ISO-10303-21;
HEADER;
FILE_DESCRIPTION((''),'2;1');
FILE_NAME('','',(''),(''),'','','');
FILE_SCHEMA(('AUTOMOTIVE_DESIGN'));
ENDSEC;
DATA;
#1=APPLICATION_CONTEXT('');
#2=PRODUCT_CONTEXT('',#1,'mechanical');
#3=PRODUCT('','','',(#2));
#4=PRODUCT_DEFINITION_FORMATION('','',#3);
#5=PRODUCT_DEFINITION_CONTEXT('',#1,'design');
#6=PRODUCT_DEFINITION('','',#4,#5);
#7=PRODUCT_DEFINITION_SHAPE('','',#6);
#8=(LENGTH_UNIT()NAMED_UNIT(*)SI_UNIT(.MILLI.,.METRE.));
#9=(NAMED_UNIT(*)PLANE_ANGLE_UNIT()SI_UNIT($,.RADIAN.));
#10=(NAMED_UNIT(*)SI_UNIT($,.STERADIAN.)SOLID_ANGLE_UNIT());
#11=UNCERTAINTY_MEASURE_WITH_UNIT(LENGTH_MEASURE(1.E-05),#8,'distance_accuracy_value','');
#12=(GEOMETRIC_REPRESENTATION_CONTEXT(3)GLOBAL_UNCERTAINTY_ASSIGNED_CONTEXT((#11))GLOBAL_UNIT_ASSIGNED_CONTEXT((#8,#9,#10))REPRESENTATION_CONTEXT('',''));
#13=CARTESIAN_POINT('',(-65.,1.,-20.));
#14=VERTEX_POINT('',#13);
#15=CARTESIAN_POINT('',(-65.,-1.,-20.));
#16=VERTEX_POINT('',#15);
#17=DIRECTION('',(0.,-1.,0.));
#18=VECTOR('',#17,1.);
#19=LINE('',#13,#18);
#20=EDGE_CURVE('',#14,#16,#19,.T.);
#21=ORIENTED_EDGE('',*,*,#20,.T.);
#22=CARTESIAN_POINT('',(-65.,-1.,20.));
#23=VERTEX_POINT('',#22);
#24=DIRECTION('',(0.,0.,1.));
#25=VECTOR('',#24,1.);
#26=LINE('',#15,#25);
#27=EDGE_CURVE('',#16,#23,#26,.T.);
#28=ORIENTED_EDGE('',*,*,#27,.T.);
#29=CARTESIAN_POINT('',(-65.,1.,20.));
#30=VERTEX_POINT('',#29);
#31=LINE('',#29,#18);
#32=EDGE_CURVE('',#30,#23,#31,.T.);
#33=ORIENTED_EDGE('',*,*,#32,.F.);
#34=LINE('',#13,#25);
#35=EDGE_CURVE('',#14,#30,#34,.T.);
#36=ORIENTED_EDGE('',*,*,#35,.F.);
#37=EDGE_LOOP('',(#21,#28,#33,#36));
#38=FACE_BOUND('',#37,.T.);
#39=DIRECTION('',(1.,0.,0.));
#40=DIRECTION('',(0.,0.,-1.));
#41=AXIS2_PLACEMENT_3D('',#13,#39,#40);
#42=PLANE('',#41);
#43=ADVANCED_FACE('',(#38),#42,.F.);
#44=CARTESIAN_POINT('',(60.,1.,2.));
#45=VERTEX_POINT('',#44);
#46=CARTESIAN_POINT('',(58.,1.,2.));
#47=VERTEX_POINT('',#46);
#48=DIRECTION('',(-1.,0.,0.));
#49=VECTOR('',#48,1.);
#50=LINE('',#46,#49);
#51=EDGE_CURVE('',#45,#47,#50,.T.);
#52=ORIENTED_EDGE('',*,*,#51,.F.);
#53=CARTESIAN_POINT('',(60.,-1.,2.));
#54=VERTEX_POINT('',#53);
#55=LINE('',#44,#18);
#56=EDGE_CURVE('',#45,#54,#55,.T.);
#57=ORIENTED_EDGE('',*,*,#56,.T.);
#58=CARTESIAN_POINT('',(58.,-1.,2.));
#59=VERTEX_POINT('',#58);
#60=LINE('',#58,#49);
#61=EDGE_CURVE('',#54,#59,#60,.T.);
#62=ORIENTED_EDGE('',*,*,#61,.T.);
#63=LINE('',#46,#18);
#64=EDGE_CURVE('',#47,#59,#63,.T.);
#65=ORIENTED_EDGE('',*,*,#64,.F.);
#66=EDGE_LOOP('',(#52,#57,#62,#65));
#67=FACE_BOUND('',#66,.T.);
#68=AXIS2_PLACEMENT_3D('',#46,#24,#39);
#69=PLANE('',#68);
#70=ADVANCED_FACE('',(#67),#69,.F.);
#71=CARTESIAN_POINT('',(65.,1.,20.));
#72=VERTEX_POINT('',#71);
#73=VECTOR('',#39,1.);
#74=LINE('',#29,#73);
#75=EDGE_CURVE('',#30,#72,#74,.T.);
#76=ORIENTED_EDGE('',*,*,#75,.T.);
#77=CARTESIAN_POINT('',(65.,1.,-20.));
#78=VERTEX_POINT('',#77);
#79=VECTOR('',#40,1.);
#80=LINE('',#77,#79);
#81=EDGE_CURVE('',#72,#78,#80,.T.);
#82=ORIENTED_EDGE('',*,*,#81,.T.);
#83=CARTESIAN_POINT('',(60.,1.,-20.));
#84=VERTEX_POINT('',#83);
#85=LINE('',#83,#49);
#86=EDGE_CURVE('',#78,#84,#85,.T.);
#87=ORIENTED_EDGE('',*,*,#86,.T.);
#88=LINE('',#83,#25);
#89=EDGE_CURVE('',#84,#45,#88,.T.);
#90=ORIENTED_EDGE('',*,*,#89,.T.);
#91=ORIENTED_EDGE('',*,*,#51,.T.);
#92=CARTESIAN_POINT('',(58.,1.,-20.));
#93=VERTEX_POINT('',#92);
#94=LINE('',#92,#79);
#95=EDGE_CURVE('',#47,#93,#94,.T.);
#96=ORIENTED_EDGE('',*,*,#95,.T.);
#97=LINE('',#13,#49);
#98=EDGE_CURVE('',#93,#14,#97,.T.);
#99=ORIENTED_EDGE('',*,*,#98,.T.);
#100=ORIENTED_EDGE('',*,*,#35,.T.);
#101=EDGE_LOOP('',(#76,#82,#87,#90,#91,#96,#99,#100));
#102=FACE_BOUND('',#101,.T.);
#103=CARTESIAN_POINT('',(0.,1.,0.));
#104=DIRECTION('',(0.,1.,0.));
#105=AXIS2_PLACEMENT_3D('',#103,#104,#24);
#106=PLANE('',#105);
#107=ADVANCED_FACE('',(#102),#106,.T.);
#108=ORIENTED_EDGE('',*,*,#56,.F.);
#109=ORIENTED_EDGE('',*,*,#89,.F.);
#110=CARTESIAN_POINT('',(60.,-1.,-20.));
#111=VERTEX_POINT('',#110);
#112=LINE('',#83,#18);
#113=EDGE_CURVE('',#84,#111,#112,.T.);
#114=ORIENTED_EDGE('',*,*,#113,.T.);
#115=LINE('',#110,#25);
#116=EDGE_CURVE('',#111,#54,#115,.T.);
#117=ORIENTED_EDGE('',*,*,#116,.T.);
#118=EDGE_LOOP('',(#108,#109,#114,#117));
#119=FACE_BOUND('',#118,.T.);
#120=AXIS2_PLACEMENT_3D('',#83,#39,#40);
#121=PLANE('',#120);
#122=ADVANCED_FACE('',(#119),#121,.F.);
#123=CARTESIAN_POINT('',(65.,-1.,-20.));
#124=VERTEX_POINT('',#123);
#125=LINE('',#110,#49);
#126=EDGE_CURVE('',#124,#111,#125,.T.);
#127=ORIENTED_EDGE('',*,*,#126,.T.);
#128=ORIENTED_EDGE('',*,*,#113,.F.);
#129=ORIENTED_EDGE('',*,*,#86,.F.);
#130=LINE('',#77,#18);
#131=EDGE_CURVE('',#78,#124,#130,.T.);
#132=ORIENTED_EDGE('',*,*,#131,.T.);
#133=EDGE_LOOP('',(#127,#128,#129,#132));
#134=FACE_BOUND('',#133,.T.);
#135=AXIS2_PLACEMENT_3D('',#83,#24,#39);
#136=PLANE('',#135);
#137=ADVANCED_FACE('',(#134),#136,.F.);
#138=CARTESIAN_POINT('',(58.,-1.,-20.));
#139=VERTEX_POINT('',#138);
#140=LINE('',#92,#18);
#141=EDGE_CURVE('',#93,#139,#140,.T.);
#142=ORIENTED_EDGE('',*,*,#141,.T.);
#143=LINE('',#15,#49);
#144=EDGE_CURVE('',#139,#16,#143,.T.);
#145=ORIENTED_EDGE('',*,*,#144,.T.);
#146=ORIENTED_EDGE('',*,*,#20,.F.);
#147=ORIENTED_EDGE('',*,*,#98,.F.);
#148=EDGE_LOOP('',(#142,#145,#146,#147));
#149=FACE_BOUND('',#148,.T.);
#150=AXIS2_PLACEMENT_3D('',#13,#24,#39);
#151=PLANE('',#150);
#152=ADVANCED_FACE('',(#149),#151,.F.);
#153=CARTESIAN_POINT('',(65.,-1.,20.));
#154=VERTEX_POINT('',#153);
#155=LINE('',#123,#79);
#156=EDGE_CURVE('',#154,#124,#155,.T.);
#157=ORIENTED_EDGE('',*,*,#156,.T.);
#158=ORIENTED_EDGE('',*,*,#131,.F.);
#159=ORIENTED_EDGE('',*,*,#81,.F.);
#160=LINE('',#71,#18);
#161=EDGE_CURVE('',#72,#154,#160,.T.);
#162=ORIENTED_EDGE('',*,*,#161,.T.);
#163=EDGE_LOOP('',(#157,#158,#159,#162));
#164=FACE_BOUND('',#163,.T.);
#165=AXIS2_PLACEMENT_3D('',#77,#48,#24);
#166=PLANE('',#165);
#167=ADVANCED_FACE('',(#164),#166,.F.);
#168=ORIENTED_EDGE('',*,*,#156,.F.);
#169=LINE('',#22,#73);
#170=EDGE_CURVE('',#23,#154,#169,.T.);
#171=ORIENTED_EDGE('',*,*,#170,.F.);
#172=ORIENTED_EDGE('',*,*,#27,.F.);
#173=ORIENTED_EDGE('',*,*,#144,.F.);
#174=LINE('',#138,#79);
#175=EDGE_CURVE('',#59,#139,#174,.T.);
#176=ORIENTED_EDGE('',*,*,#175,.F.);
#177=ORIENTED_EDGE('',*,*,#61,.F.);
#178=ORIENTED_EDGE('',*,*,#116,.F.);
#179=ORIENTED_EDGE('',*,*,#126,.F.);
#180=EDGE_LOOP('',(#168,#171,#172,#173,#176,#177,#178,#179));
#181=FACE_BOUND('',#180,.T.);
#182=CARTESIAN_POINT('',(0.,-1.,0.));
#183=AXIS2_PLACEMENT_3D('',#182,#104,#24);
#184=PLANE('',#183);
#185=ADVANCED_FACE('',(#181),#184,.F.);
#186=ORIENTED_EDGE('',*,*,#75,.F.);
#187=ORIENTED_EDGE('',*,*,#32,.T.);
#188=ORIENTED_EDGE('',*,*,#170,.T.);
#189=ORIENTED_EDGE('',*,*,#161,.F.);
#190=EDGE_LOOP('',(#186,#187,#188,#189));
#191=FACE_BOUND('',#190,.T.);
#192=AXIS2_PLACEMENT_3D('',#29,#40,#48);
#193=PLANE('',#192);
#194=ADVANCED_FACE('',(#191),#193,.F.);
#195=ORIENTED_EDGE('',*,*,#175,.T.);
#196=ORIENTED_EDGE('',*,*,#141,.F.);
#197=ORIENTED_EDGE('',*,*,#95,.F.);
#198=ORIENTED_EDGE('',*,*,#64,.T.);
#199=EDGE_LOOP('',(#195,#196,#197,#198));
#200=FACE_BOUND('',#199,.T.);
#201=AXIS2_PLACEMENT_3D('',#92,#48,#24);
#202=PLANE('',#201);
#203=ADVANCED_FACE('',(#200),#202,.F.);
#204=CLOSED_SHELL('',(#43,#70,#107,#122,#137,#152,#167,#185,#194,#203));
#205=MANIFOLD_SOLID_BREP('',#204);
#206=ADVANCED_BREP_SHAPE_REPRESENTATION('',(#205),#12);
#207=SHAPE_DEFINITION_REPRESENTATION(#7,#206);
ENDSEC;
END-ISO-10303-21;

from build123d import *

# Parameters (mm, degrees)
BOSS_EXTRUDE1_DEPTH = 1


with BuildPart() as part:
    # Sketch1 → Boss-Extrude1 (new, symmetric)
    with BuildSketch(Plane(origin=(0, 0, 0), x_dir=(1, 0, 0), z_dir=(0, 1, 0))):
        Polygon((60, 20), (65, 20), (65, -20), (-65, -20), (-65, 20), (58, 20), (58, -2), (60, -2), align=None)
    extrude(amount=BOSS_EXTRUDE1_DEPTH, both=True)


solid = part.part
